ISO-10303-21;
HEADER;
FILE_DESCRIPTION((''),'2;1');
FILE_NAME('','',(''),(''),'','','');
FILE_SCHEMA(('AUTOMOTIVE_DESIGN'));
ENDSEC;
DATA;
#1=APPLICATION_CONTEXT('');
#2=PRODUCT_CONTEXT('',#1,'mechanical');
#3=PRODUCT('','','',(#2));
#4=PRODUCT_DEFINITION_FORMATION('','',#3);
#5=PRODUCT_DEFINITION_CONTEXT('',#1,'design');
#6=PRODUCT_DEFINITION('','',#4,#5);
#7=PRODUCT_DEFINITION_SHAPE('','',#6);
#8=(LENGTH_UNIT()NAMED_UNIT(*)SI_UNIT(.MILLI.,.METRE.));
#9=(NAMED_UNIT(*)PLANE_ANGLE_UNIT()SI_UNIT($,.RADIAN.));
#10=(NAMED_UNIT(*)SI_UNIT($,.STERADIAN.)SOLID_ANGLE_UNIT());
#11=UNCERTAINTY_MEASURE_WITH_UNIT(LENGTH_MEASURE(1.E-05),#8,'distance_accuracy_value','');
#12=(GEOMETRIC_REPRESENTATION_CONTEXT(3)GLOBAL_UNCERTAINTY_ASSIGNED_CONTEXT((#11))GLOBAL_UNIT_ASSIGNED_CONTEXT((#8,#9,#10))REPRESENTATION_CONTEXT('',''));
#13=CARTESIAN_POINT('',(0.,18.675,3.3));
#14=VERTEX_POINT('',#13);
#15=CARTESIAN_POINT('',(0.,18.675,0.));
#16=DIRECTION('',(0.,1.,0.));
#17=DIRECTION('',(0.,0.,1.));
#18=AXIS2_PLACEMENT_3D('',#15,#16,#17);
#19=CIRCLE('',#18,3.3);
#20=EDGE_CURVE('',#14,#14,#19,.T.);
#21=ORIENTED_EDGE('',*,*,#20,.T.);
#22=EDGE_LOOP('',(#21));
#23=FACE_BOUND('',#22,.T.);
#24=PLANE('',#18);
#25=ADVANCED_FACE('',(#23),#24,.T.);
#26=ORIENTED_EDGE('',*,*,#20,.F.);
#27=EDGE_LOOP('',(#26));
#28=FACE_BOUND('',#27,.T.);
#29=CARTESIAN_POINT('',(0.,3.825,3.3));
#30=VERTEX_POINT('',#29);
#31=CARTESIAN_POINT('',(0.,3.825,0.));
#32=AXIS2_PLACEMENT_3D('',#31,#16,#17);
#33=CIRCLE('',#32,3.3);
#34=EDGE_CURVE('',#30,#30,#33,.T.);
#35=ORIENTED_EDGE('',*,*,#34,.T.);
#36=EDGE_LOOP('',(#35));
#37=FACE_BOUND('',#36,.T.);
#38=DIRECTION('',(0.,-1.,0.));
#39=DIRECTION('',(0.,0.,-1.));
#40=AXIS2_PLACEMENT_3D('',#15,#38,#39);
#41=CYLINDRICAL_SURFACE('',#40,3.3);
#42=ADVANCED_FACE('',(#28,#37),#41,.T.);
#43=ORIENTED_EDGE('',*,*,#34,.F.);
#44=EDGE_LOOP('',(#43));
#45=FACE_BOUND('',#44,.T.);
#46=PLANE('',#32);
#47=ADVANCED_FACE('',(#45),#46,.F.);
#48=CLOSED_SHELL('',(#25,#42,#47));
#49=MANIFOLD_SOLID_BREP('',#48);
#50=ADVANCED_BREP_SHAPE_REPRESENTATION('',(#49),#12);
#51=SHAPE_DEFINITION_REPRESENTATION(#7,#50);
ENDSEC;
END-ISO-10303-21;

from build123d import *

# Parameters (mm, degrees)
SKETCH1_R           = 5
BOSS_EXTRUDE1_DEPTH = 22.5
SCALE1_SCALE        = 0.66


with BuildPart() as part:
    # Sketch1 → Boss-Extrude1 (new body)
    with BuildSketch(Plane(origin=(0, 0, 0), x_dir=(1, 0, 0), z_dir=(0, 1, 0))):
        Circle(SKETCH1_R)
    extrude(amount=BOSS_EXTRUDE1_DEPTH)


with BuildPart() as part_1:
    # Scale1: scaled about (0, 11.25, 0)
    add(part.part.scale(SCALE1_SCALE).moved(Location((0, 3.825, 0))))


solid = part_1.part
